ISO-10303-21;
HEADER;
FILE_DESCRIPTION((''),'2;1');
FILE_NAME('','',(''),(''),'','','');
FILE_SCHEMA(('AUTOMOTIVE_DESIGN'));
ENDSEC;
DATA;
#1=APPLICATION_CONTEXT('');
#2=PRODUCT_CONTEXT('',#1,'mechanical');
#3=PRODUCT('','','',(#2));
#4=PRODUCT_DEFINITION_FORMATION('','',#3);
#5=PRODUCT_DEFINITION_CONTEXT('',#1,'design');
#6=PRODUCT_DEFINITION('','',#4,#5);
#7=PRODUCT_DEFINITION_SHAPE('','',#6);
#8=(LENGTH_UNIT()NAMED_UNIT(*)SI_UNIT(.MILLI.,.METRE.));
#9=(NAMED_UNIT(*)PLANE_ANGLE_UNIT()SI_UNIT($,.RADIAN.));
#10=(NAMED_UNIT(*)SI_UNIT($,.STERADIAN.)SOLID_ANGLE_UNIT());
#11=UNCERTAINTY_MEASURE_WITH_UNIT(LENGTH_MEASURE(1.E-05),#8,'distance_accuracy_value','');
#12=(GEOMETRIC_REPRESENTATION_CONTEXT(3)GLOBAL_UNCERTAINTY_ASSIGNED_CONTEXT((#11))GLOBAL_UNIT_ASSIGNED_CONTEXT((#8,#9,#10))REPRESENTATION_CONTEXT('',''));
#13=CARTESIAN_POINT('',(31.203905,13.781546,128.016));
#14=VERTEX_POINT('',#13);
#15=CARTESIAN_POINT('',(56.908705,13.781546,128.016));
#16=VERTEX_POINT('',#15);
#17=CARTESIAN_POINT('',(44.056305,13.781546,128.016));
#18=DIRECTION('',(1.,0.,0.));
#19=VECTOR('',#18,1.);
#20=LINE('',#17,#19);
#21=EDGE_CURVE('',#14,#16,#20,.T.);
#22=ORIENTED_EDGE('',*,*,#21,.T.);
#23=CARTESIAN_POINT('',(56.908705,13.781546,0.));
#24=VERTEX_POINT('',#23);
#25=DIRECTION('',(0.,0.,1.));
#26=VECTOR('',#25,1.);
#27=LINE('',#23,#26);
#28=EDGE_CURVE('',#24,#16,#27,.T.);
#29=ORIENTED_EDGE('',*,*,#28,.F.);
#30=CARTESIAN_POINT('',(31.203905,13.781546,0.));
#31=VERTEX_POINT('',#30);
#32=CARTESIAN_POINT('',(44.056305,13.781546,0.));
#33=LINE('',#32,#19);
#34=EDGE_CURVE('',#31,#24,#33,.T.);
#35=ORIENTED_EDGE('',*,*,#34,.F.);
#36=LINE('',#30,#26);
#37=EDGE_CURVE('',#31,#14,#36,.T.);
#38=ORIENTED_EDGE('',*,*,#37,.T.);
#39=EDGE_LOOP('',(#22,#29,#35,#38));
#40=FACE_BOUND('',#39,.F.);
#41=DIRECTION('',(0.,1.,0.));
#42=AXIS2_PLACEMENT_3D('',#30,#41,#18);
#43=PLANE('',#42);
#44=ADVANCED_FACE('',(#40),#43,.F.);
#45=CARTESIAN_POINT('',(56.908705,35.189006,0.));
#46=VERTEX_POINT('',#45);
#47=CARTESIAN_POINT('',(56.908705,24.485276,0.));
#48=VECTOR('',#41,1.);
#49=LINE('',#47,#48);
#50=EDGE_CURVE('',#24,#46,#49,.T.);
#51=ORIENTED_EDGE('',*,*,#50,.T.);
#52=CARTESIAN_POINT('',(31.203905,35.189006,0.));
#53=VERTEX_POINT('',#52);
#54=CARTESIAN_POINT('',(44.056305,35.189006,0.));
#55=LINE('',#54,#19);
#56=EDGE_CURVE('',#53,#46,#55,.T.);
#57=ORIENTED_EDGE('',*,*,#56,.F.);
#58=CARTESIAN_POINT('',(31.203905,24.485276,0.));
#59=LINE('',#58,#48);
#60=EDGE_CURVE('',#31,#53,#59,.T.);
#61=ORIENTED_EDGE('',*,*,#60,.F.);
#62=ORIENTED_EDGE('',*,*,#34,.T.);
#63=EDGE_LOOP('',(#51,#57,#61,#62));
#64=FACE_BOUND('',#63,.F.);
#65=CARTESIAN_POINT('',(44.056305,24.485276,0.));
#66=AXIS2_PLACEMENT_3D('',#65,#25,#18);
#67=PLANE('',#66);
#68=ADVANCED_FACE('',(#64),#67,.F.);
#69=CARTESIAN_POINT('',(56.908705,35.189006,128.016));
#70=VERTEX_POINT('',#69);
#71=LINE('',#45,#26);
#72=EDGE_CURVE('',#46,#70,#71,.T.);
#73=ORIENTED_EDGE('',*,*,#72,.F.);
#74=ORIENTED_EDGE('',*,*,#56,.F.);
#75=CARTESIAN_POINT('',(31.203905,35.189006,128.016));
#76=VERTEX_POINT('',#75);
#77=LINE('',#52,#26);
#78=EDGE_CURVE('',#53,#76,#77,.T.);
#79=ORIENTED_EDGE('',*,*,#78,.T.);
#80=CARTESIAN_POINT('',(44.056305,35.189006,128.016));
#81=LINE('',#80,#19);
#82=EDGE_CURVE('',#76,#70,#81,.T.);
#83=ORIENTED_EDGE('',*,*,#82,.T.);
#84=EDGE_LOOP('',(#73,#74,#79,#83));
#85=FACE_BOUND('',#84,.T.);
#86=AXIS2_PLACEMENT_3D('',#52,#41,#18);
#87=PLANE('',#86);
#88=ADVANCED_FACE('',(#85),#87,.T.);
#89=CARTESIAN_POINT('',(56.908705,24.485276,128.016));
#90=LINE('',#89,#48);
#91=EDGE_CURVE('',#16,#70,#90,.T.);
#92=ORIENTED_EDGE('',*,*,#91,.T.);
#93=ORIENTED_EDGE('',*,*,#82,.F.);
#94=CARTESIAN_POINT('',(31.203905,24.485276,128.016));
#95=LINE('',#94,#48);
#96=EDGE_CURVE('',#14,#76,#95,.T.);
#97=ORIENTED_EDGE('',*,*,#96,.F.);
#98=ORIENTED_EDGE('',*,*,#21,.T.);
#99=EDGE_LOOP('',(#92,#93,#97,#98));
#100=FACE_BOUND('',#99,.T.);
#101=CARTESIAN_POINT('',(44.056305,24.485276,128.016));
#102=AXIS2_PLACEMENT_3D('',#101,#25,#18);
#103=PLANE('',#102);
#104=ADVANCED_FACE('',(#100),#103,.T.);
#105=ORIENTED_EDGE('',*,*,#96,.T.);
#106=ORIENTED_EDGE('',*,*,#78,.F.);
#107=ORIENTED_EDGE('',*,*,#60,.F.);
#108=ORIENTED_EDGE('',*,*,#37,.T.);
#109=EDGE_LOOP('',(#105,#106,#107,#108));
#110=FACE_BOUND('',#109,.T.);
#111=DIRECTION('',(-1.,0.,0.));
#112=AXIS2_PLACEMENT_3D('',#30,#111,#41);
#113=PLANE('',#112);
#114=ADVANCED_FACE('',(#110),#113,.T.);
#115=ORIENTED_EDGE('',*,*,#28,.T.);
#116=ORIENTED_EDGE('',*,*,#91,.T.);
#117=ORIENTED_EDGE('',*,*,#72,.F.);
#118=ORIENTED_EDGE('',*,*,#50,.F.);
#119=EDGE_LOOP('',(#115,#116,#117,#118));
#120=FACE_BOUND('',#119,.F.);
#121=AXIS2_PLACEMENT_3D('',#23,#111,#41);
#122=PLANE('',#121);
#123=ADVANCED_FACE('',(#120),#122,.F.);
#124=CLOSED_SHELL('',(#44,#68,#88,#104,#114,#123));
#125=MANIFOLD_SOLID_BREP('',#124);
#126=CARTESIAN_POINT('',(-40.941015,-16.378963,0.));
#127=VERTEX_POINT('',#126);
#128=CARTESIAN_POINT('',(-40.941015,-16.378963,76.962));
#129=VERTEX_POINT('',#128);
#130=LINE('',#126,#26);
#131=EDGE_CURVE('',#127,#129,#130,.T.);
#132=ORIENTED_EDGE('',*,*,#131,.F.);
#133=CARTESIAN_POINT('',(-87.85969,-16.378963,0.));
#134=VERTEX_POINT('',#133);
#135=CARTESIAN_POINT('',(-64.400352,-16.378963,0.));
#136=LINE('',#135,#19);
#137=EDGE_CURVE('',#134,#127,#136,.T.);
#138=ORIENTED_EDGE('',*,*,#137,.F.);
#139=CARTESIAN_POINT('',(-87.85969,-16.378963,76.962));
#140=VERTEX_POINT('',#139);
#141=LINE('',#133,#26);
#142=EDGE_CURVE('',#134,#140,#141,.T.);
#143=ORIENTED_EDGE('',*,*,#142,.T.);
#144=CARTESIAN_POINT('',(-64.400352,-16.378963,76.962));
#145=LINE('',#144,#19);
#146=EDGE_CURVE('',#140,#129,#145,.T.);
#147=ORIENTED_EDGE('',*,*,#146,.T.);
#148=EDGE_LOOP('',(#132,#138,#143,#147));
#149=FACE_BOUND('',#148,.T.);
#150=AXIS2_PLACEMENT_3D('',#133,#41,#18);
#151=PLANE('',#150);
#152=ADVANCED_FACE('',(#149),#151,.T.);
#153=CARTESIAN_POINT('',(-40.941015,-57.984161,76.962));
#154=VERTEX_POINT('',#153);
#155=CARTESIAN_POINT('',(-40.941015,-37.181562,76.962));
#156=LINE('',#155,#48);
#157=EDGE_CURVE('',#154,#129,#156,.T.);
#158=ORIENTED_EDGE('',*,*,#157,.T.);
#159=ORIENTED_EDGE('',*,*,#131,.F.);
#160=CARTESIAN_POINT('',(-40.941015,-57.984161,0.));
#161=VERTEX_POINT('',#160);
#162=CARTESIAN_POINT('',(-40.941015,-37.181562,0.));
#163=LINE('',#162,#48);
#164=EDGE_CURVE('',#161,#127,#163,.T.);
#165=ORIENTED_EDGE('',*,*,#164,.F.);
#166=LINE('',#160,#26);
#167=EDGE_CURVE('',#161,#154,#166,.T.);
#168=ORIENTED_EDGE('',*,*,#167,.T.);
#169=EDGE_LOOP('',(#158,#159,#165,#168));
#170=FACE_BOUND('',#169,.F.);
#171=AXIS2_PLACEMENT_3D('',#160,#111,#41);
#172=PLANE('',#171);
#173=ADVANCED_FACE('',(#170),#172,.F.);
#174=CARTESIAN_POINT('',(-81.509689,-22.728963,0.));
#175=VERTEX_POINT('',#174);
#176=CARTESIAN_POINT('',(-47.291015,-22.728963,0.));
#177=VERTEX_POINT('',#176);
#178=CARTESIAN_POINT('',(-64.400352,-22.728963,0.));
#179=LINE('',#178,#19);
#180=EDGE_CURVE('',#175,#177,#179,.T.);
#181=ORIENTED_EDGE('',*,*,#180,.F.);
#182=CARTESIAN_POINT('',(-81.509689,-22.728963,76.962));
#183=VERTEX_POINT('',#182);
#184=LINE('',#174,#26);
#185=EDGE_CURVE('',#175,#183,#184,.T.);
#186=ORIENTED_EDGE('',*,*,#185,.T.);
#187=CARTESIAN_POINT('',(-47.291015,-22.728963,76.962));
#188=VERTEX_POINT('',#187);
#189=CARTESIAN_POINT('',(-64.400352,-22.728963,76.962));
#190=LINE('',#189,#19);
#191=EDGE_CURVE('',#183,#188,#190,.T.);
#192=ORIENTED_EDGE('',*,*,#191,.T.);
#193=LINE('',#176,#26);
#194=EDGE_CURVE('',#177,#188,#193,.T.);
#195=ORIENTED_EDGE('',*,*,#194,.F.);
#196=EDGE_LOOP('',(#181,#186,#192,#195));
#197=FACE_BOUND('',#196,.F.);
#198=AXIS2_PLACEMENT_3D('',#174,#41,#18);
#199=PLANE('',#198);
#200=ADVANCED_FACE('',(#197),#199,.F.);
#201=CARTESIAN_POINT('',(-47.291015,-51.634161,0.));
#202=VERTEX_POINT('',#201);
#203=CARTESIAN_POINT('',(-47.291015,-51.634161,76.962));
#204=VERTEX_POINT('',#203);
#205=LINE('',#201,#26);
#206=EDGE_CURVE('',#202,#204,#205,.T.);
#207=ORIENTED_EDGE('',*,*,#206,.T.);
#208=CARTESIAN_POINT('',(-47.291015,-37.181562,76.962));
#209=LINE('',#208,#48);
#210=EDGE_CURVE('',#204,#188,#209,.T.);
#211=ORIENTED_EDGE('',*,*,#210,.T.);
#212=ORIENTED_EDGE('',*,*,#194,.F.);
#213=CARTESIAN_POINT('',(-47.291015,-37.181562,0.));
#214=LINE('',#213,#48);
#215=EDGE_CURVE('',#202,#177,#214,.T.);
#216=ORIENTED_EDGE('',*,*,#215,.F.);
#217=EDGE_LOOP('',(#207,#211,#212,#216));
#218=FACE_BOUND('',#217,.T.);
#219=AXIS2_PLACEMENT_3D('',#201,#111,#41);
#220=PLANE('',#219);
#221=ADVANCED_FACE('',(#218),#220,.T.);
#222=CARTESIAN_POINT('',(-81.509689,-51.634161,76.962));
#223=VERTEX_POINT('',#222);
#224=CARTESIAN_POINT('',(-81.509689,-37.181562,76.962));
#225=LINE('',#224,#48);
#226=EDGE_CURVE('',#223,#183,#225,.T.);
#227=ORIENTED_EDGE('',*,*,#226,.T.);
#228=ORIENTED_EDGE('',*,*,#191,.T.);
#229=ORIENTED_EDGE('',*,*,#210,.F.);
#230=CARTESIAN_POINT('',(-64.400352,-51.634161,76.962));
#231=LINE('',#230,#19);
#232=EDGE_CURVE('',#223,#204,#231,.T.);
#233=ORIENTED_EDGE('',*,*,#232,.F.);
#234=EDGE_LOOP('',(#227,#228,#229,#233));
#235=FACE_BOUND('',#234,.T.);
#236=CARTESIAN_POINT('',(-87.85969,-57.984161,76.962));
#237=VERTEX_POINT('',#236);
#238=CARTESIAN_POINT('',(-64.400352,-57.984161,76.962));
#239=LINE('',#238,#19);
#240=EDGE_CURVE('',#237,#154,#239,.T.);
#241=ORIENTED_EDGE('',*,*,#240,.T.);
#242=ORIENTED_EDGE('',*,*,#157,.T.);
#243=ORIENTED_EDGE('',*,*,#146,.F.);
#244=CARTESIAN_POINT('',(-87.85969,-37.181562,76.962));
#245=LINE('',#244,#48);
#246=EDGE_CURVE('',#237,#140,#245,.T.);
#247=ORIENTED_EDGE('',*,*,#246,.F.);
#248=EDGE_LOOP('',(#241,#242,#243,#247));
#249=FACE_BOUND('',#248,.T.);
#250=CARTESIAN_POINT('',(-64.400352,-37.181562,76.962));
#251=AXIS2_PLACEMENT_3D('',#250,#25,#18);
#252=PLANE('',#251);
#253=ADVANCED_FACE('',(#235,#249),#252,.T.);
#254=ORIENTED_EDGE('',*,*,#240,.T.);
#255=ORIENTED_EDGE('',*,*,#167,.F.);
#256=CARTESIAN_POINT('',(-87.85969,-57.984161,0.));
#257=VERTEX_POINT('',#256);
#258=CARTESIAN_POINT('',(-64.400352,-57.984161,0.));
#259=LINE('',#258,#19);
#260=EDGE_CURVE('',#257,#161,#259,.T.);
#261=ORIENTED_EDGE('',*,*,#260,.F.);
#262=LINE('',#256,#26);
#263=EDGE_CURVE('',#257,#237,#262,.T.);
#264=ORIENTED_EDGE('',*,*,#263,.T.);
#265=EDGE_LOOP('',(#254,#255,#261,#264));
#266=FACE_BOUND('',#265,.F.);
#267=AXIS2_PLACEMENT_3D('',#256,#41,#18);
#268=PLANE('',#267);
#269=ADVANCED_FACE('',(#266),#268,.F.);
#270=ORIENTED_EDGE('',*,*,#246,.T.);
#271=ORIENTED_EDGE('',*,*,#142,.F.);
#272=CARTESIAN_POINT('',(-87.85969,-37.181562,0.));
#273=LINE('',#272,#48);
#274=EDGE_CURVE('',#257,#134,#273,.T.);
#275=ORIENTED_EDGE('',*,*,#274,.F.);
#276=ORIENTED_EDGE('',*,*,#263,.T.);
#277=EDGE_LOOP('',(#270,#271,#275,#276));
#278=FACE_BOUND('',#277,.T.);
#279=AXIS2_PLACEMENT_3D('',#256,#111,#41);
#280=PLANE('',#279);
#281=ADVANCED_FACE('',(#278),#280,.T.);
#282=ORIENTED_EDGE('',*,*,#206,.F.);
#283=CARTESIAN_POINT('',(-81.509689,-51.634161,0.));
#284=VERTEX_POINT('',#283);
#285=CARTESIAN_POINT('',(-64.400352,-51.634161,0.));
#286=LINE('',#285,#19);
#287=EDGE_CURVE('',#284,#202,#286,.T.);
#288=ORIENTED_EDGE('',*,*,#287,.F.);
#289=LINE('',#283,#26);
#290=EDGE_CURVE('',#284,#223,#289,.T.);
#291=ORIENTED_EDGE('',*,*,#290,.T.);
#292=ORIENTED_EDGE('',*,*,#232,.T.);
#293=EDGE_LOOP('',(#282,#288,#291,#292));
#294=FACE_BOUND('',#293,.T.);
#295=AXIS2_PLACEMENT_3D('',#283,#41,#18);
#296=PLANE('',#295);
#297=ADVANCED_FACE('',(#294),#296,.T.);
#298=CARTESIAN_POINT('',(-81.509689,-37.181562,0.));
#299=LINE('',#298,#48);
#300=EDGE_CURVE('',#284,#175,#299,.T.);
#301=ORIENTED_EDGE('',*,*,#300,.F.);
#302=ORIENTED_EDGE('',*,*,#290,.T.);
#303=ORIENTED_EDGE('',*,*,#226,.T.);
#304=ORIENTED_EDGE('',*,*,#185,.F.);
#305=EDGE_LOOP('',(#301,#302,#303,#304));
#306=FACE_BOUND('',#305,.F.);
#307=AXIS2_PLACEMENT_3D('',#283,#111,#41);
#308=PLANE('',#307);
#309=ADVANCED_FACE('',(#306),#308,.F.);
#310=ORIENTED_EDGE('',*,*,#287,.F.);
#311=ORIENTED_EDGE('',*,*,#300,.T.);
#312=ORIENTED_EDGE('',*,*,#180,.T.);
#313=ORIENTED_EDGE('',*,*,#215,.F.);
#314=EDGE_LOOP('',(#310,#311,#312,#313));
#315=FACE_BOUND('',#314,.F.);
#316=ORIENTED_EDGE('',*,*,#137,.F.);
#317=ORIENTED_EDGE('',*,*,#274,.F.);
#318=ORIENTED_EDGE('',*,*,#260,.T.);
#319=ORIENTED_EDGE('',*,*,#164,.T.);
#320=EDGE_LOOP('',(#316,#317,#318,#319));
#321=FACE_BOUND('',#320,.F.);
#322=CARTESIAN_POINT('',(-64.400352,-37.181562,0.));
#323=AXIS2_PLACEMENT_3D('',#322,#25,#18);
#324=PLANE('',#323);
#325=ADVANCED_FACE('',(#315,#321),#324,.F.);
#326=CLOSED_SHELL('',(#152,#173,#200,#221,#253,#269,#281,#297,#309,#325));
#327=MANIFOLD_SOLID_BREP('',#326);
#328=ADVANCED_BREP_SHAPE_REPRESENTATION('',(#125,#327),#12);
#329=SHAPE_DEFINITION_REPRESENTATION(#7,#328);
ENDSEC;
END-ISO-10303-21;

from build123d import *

# Parameters (mm, degrees)
F0_W     = 46.918675
F0_H     = 41.605199
F0_W_2   = 34.218675
F0_H_2   = 28.905199
F1_DEPTH = 76.962
F2_W     = 25.7048
F2_H     = 21.40746
F3_DEPTH = 128.016


with BuildPart() as f1:
    # F0 (on Top) → F1 (new body)
    with BuildSketch(Plane.XY):
        with Locations((-64.400352, -37.181562)):
            Rectangle(F0_W, F0_H)
        with Locations((-64.400352, -37.181562)):
            Rectangle(F0_W_2, F0_H_2, mode=Mode.SUBTRACT)
    extrude(amount=F1_DEPTH)


with BuildPart() as f3:
    # F2 (on Top) → F3 (new body)
    with BuildSketch(Plane.XY):
        with Locations((44.056305, 24.485276)):
            Rectangle(F2_W, F2_H)
    extrude(amount=F3_DEPTH)


solid = Compound([f1.part, f3.part])
